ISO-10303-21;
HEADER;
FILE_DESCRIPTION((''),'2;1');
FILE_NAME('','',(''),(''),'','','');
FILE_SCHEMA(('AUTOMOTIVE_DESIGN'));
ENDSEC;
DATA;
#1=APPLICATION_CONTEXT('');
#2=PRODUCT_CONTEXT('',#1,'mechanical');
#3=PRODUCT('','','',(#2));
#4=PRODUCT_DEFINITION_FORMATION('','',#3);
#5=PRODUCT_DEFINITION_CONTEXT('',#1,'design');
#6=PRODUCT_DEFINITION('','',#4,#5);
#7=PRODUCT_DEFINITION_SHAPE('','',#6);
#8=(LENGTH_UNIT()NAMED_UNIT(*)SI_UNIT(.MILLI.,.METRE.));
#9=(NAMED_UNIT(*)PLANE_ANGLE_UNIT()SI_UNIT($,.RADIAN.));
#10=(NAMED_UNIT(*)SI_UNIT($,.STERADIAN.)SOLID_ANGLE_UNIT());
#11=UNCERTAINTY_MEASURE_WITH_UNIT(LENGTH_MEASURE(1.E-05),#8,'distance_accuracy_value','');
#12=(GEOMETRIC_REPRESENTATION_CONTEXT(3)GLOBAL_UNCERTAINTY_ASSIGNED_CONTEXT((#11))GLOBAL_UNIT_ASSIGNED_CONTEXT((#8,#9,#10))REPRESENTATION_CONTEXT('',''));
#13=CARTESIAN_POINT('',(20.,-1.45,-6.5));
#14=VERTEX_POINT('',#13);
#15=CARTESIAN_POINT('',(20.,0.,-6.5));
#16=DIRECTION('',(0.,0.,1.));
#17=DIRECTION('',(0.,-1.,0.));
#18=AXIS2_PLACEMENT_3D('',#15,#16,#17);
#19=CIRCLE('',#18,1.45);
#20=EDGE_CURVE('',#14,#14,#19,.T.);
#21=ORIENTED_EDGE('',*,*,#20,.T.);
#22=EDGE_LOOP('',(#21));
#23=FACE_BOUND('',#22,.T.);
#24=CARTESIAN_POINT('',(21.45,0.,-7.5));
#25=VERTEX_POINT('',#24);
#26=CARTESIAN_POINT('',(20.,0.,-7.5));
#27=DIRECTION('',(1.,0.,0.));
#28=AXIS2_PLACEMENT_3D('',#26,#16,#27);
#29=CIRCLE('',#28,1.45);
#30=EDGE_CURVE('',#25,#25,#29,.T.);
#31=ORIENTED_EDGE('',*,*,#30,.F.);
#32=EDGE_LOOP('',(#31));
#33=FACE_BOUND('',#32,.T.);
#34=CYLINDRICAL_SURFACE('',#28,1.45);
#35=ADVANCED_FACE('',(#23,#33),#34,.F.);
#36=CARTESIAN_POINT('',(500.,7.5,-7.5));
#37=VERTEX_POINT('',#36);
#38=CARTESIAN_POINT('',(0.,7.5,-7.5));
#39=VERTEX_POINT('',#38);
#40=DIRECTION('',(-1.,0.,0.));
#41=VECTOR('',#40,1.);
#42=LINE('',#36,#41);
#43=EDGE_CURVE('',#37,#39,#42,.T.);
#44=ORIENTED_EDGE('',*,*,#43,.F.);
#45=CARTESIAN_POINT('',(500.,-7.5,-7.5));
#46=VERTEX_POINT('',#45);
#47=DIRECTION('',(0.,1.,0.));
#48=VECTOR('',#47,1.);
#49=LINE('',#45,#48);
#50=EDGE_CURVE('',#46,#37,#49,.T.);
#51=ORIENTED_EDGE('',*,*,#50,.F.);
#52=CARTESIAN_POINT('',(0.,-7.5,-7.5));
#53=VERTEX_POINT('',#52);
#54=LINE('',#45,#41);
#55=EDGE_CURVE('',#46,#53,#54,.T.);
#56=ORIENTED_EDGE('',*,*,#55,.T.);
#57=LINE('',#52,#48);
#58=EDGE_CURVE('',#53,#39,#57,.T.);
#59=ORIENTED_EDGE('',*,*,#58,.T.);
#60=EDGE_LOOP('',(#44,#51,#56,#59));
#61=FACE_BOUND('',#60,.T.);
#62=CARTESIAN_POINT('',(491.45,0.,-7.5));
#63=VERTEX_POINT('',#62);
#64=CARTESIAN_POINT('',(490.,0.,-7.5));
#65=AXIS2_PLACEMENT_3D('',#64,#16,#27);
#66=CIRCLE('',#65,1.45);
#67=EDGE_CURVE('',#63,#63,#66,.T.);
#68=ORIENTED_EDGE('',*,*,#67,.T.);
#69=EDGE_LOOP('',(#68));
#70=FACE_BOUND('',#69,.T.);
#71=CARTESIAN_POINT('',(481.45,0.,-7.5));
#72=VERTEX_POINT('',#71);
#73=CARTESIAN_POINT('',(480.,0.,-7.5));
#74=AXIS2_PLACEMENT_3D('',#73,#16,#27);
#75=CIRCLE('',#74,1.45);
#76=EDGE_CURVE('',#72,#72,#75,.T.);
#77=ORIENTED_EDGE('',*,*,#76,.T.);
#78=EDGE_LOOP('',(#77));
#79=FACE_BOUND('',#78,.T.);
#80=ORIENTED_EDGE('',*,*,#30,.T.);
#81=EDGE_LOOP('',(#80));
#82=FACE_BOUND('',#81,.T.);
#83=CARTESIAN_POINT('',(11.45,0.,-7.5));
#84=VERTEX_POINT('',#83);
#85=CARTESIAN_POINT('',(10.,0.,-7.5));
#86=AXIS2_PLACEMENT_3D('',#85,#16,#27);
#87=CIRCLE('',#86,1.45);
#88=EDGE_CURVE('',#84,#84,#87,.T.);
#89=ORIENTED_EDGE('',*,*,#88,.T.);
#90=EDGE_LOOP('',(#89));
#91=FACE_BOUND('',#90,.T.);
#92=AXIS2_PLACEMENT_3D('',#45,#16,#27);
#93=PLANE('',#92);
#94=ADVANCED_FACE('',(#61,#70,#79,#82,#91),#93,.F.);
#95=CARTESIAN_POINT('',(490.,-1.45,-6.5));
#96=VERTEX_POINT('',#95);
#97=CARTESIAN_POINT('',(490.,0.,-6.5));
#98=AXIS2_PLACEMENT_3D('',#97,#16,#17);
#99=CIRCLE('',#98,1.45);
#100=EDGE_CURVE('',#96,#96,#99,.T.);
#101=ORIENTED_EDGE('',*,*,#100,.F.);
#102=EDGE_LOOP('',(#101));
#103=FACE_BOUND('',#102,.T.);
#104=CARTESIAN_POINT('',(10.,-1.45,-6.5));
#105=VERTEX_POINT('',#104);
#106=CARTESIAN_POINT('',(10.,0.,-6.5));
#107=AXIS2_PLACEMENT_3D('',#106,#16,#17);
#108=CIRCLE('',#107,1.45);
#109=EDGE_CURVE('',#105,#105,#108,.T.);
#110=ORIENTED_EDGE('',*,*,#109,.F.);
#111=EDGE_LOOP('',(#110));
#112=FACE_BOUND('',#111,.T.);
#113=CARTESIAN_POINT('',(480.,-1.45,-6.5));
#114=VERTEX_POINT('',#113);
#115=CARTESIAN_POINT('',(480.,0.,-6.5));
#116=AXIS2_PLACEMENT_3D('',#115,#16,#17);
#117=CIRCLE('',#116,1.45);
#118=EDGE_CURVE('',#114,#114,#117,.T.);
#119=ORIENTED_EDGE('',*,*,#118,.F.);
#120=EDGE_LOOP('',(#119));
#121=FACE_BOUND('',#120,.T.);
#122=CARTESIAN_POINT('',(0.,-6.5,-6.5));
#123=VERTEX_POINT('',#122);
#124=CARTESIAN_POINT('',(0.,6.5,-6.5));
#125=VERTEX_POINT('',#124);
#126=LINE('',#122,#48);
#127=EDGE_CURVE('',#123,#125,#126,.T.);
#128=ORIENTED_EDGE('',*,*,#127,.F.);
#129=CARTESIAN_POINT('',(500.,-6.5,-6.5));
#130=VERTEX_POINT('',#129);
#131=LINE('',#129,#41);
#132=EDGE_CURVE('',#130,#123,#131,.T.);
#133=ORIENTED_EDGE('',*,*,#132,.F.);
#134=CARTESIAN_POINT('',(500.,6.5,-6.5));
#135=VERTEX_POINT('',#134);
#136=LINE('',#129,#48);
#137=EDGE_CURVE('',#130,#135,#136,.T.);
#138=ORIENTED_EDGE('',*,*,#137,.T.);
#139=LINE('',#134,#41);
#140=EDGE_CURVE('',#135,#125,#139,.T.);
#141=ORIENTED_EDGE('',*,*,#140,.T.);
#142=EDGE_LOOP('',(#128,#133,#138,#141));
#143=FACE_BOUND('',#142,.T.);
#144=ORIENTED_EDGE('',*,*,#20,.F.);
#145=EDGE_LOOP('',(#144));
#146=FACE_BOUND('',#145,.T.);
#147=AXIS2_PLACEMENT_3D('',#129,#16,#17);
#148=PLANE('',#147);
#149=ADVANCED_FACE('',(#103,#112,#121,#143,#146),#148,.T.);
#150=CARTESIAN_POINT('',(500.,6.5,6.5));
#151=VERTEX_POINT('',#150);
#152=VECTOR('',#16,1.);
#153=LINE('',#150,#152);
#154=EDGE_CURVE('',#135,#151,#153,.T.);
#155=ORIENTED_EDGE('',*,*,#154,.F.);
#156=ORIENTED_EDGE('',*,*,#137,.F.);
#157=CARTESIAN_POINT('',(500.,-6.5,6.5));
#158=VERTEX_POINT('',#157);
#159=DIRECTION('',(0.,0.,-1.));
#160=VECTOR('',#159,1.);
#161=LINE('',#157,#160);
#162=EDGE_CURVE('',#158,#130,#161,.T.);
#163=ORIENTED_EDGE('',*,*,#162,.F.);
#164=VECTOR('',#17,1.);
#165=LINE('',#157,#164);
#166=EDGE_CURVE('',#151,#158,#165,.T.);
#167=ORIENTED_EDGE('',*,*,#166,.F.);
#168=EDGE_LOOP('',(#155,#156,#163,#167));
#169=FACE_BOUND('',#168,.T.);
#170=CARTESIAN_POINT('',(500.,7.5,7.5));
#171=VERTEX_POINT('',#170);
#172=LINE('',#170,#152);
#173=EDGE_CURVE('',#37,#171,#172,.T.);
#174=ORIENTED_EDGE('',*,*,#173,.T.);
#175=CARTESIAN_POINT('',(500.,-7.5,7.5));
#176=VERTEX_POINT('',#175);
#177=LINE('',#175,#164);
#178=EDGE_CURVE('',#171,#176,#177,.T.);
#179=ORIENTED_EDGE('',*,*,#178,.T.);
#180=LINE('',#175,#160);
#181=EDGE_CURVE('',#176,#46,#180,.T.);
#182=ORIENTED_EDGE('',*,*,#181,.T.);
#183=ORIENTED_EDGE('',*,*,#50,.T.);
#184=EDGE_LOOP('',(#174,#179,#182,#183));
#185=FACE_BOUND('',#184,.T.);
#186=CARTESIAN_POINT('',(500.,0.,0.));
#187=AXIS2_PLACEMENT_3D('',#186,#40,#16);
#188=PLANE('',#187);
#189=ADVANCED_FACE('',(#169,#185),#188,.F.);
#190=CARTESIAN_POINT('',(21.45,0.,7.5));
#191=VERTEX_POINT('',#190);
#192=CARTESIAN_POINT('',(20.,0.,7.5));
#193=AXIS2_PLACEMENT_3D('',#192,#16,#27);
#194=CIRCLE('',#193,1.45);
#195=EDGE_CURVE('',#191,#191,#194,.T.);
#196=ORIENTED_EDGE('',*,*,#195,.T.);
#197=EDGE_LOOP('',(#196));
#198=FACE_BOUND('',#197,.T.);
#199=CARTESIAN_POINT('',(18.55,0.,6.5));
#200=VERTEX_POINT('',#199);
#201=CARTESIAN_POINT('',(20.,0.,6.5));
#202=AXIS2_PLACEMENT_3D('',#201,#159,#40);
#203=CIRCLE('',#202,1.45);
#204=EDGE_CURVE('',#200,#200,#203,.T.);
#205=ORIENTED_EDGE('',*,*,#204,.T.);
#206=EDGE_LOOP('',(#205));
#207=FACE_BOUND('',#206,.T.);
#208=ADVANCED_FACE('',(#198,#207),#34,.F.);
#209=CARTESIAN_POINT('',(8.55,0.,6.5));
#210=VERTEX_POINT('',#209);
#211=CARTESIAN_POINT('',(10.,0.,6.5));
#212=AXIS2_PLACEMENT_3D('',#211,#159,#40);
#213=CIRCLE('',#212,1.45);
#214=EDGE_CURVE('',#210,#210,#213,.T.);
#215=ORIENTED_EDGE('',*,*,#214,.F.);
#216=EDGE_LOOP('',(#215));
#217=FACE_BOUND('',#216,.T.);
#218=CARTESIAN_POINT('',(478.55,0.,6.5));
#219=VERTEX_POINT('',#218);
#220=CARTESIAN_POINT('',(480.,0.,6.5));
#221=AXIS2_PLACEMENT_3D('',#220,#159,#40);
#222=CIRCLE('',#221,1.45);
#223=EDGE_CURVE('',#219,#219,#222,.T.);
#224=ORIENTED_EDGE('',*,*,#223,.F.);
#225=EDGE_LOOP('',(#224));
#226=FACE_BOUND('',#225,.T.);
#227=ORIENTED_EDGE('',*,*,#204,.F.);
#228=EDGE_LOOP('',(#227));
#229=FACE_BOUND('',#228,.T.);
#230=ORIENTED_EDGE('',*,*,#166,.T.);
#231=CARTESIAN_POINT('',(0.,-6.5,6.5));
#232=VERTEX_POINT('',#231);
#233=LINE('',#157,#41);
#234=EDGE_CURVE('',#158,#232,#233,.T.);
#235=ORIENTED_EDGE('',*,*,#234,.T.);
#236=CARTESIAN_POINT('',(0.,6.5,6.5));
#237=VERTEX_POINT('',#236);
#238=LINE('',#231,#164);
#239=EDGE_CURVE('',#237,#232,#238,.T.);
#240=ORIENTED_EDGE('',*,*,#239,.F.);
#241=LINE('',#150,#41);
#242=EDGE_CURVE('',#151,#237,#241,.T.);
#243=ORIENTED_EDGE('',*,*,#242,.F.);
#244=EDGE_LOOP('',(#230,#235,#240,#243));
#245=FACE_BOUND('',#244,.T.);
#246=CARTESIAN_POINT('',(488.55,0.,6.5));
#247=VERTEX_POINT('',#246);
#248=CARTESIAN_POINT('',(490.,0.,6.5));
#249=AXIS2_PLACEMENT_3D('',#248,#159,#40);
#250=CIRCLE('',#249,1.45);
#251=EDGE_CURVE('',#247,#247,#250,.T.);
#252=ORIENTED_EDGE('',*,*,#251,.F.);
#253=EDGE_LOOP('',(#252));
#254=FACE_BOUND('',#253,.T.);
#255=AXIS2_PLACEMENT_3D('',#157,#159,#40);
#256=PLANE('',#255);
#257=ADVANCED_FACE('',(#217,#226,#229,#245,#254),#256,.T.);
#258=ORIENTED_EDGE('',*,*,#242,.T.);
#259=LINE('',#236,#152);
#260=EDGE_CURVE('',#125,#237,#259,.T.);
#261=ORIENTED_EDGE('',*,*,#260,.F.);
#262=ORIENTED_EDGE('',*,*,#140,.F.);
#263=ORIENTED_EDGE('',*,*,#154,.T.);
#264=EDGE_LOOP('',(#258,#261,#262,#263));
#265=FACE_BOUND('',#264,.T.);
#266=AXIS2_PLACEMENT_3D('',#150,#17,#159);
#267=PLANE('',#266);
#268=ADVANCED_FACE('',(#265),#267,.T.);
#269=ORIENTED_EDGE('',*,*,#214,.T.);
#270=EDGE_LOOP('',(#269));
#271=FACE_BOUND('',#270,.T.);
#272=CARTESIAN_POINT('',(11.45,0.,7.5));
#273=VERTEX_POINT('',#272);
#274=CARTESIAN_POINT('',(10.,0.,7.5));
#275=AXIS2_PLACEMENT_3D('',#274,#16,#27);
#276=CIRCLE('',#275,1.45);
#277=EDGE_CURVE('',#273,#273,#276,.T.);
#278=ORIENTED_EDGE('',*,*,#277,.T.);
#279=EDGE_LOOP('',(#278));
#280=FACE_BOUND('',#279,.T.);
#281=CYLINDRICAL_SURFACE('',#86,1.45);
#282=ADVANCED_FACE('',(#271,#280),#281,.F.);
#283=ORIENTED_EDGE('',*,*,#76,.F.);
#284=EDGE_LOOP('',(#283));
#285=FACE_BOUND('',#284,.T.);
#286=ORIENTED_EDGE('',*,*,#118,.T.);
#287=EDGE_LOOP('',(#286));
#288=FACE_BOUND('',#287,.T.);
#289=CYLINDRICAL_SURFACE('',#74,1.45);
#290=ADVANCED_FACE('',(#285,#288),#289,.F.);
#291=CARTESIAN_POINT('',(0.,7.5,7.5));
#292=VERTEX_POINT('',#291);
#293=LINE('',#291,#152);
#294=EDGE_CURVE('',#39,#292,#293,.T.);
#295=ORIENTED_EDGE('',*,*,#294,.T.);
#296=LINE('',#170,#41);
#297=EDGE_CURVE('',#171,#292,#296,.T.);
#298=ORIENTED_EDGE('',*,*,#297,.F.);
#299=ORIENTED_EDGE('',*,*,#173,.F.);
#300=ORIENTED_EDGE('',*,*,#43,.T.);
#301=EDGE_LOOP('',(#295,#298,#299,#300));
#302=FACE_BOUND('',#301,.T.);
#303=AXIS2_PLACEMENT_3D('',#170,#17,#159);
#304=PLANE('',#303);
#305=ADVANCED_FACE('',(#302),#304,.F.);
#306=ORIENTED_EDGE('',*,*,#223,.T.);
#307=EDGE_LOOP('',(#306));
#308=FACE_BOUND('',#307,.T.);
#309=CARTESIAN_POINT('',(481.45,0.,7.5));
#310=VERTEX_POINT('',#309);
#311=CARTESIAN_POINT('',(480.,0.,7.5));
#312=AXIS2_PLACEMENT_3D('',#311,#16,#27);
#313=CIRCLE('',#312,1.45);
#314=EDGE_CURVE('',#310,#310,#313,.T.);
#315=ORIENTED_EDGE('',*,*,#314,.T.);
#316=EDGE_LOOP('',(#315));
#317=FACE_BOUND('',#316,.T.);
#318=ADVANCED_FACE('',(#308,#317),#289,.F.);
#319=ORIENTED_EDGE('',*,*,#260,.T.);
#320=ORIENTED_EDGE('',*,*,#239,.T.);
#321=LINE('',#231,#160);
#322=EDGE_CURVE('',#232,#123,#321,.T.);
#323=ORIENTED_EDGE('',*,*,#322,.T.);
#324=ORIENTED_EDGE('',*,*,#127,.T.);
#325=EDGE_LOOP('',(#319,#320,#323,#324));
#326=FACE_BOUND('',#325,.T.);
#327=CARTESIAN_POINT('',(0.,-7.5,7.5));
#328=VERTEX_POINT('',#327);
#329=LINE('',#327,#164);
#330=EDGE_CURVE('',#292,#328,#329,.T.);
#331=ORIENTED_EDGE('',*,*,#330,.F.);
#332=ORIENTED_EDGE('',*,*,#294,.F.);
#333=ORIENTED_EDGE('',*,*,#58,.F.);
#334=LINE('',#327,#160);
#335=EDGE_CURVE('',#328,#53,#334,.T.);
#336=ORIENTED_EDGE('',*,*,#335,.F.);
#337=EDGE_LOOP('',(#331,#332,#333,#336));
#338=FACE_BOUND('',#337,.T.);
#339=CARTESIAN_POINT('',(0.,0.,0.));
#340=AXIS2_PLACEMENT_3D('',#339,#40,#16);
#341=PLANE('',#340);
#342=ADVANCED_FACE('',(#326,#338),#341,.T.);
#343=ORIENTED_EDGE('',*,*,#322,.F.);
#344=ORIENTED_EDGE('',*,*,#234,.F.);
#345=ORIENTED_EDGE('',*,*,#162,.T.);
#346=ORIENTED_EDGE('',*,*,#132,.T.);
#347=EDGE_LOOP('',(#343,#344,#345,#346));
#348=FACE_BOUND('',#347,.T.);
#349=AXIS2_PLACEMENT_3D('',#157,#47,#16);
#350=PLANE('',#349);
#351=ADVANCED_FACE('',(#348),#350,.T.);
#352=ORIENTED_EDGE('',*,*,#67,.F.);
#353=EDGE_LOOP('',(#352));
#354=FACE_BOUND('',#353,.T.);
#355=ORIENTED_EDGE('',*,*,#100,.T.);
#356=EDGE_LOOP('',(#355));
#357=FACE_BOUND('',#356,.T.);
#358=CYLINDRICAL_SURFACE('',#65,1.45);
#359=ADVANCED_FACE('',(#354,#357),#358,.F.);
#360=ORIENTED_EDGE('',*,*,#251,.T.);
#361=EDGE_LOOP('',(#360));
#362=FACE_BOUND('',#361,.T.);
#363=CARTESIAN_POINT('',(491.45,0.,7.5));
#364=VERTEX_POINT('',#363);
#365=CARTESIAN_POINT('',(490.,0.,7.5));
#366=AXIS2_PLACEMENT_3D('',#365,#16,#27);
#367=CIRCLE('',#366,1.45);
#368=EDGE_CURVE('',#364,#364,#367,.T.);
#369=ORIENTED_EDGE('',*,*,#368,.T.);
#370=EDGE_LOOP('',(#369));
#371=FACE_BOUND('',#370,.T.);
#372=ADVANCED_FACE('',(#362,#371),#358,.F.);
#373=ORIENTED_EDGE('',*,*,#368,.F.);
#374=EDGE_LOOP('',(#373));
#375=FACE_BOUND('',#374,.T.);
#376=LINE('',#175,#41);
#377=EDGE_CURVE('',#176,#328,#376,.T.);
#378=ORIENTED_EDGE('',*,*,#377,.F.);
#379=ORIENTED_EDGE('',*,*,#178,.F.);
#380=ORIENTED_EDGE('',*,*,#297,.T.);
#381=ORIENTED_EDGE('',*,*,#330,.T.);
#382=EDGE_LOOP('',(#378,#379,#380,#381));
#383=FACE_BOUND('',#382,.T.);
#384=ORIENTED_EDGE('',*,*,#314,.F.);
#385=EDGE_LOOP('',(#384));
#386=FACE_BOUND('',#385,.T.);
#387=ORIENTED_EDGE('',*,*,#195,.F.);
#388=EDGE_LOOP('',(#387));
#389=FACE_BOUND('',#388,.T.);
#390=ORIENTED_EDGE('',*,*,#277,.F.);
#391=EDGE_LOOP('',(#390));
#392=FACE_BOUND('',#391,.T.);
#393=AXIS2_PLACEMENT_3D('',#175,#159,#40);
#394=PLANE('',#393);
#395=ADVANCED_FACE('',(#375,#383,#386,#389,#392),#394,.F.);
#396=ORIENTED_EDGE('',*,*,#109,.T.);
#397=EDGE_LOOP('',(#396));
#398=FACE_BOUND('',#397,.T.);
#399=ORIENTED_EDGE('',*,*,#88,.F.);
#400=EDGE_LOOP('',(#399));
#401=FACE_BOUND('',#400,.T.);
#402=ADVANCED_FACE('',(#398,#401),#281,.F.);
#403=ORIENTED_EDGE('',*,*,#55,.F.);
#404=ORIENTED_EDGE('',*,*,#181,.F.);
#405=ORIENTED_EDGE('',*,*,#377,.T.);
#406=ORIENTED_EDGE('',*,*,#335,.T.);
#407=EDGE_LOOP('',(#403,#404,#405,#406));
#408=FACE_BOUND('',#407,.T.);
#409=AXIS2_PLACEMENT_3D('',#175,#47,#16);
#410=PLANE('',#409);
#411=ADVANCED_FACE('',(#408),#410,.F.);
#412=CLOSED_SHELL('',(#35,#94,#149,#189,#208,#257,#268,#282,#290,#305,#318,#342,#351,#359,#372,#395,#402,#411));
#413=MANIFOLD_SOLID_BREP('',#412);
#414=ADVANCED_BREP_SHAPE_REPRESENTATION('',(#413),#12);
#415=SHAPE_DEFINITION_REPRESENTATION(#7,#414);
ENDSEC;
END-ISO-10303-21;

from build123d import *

# Parameters (mm, degrees)
SKETCH_1_W          = 15
SKETCH_1_H          = 15
SKETCH_1_W_2        = 13
SKETCH_1_H_2        = 13
EXTRUDE_1_DEPTH     = 500
SKETCH_2_R          = 1.45
CUT_EXTRUDE_1_DEPTH = 501.281170943


with BuildPart() as part:
    # 草图1 → 凸台-拉伸1 (new body)
    with BuildSketch(Plane(origin=(0, 0, 0), x_dir=(0, 0, -1), z_dir=(1, 0, 0))):
        Rectangle(SKETCH_1_W, SKETCH_1_H)
        Rectangle(SKETCH_1_W_2, SKETCH_1_H_2, mode=Mode.SUBTRACT)
    extrude(amount=EXTRUDE_1_DEPTH)

    # 草图2 → 切除-拉伸1 (cut, through all)
    with BuildSketch(Plane.XY.offset(7.5)):
        with Locations((490, 0)):
            Circle(SKETCH_2_R)
        with Locations((480, 0)):
            Circle(SKETCH_2_R)
        with Locations((10, 0)):
            Circle(SKETCH_2_R)
        with Locations((20, 0)):
            Circle(SKETCH_2_R)
    extrude(amount=-CUT_EXTRUDE_1_DEPTH, mode=Mode.SUBTRACT)


solid = part.part
